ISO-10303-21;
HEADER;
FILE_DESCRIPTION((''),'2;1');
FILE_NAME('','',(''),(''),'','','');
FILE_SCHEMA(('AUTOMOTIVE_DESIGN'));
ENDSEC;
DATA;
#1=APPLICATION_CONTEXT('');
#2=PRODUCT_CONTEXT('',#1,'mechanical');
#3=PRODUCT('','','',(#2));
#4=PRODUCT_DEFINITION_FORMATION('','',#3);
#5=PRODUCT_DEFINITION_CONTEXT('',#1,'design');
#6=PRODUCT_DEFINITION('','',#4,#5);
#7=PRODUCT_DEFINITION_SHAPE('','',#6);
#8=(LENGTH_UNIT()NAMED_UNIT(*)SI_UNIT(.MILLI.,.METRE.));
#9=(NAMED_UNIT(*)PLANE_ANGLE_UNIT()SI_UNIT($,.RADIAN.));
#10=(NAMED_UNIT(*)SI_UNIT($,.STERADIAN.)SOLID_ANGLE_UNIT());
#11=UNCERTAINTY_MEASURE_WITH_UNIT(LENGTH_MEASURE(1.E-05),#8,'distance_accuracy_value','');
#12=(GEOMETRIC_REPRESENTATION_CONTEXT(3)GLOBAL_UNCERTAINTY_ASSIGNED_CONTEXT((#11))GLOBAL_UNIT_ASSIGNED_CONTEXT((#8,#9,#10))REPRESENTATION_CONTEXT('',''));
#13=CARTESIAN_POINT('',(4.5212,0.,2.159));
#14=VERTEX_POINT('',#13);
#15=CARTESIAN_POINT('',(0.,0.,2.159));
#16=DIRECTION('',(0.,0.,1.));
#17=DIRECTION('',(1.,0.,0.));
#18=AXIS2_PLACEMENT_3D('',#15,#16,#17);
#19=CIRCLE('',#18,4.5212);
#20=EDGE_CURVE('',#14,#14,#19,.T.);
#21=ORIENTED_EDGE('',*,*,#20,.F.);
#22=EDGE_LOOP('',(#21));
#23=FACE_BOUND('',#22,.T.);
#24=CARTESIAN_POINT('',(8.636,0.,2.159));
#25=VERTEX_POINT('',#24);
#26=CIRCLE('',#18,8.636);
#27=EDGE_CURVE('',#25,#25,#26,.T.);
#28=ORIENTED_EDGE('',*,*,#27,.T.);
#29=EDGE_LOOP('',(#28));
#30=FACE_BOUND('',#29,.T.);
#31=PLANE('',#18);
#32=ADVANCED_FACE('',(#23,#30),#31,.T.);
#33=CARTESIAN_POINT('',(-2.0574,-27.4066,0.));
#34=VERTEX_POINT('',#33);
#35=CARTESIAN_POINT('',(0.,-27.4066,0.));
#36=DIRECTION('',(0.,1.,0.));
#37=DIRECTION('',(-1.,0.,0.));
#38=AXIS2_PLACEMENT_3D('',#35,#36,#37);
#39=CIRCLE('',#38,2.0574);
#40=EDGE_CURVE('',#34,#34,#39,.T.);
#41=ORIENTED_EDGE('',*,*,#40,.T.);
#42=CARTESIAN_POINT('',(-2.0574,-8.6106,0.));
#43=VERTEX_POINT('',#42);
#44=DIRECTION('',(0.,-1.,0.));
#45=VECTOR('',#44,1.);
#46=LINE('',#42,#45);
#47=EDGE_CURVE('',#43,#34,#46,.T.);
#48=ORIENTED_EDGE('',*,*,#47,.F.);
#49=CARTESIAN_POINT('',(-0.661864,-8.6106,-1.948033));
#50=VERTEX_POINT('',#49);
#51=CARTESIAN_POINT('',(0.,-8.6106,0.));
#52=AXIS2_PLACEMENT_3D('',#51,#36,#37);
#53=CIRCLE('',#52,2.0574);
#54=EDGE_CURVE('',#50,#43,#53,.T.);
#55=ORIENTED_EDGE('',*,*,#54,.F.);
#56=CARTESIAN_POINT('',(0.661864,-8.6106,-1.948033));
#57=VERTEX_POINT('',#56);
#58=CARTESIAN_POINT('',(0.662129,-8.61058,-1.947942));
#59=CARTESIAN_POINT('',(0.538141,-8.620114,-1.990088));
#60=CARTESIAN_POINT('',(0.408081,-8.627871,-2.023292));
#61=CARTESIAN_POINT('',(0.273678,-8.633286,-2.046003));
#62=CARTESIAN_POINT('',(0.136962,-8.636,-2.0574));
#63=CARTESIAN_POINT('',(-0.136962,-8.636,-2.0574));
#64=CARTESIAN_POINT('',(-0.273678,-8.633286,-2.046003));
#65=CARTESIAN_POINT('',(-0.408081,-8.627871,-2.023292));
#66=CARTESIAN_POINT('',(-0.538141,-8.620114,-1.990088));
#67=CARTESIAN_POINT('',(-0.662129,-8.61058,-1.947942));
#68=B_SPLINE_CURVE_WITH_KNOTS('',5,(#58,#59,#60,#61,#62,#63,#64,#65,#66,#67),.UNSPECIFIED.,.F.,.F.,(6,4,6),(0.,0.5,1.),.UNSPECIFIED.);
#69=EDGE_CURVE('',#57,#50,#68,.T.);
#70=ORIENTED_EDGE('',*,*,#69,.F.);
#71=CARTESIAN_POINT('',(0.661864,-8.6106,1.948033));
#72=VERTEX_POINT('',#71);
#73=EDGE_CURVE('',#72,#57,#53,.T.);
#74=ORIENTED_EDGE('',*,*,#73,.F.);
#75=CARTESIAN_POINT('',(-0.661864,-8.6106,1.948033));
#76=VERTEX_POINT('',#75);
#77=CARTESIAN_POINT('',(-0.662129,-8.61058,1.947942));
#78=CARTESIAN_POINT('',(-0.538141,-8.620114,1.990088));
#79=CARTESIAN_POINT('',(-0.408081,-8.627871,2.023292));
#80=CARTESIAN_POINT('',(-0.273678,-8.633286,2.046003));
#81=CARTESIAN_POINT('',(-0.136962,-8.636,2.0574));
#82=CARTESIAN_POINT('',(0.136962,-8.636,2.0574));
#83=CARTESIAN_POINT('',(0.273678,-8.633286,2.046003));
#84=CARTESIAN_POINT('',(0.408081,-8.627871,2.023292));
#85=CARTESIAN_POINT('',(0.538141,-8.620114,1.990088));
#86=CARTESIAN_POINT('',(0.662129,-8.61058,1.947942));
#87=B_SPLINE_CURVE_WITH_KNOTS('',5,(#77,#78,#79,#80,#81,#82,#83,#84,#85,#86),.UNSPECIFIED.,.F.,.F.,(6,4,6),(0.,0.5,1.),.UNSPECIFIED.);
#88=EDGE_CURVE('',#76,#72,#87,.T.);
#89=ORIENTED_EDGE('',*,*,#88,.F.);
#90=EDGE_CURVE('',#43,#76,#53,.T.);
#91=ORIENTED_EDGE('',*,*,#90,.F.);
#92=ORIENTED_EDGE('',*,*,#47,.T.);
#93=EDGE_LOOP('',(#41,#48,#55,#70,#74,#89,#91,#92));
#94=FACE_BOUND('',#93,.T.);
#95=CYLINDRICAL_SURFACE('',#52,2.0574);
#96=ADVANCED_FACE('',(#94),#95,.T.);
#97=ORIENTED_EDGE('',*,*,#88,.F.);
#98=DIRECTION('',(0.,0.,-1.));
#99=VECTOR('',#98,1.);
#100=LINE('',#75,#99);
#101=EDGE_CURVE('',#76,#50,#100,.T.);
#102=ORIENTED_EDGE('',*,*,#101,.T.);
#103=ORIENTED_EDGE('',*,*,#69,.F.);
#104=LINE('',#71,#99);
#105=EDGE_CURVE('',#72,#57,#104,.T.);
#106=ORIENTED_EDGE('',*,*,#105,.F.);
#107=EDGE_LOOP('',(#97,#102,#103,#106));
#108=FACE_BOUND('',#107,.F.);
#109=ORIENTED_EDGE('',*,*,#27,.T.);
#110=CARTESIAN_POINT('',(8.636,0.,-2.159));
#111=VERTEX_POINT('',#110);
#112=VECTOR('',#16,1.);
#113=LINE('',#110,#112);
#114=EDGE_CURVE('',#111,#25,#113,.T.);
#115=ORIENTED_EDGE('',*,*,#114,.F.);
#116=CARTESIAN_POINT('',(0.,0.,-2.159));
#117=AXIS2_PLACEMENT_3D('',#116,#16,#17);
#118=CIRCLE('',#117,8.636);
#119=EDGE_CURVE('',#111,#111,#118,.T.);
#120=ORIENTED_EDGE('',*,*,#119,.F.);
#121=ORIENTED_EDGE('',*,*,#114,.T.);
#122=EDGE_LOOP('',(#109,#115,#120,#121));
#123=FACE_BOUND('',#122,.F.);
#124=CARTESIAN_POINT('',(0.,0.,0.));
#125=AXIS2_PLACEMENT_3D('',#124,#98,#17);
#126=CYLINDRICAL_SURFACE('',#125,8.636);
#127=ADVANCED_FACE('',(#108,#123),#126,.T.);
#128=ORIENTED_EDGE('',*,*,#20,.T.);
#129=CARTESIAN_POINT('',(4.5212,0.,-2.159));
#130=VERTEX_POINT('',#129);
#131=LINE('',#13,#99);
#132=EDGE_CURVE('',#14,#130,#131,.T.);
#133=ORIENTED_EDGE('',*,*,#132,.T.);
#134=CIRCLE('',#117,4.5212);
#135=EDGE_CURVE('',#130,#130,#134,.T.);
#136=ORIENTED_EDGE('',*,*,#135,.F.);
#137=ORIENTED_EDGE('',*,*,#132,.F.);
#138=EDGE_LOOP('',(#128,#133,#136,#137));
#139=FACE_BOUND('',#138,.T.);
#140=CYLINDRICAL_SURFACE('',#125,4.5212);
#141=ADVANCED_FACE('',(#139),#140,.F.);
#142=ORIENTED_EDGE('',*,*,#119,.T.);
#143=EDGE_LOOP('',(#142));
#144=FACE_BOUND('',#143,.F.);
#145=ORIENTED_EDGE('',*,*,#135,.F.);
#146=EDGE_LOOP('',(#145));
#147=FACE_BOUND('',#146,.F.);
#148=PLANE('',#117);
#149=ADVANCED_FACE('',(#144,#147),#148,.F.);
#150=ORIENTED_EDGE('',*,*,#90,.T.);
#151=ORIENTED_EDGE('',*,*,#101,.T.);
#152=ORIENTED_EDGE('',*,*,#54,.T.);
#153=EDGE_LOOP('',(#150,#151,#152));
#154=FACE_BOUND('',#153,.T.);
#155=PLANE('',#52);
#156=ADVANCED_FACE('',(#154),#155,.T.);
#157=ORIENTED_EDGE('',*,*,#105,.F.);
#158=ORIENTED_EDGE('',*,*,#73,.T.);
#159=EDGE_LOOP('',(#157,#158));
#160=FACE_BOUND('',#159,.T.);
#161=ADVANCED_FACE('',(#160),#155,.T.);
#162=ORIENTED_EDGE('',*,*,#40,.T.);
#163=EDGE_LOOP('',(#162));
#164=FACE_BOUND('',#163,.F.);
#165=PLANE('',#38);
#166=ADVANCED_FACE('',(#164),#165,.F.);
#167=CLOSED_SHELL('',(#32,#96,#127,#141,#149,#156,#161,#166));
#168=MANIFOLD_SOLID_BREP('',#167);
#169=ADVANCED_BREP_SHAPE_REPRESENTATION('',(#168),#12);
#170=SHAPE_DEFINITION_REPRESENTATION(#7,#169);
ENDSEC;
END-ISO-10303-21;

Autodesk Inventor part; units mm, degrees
ref_plane "XY Plane" through (0, 0, 0) normal (0, 0, 1) x (1, 0, 0)
ref_plane "Work Plane1" through (6.5151, 0, 0) normal (1, 0, 0) x (0, 1, 0)
sketch "Sketch2" plane through (0, 0, 0) normal (0, 0, 1) x (1, 0, 0)
  circle A0 centre (0, 0) radius 8.636
  circle A1 centre (0, 0) radius 4.5212
  line L0 (0, -8.636) -> (0, -27.432) construction
  dimension "d2" = 17.272
  dimension "d3" = 4.1148
  dimension "d4" = 18.796
extrude "Extrusion1" add sketch "Sketch2" along normal mid plane 4.318
ref_plane "Work Plane2" through (0, -8.6106, 0) normal (0, 1, 0) x (-1, 0, 0)
sketch "Sketch3" plane through (0, -8.6106, 0) normal (0, 1, 0) x (-1, 0, 0)
  circle A0 centre (0, 0) radius 2.0574
  dimension "d8" = 4.1148
extrude "Extrusion2" add sketch "Sketch3" against normal blind 18.796
properties part number "eye screw stand-in"
